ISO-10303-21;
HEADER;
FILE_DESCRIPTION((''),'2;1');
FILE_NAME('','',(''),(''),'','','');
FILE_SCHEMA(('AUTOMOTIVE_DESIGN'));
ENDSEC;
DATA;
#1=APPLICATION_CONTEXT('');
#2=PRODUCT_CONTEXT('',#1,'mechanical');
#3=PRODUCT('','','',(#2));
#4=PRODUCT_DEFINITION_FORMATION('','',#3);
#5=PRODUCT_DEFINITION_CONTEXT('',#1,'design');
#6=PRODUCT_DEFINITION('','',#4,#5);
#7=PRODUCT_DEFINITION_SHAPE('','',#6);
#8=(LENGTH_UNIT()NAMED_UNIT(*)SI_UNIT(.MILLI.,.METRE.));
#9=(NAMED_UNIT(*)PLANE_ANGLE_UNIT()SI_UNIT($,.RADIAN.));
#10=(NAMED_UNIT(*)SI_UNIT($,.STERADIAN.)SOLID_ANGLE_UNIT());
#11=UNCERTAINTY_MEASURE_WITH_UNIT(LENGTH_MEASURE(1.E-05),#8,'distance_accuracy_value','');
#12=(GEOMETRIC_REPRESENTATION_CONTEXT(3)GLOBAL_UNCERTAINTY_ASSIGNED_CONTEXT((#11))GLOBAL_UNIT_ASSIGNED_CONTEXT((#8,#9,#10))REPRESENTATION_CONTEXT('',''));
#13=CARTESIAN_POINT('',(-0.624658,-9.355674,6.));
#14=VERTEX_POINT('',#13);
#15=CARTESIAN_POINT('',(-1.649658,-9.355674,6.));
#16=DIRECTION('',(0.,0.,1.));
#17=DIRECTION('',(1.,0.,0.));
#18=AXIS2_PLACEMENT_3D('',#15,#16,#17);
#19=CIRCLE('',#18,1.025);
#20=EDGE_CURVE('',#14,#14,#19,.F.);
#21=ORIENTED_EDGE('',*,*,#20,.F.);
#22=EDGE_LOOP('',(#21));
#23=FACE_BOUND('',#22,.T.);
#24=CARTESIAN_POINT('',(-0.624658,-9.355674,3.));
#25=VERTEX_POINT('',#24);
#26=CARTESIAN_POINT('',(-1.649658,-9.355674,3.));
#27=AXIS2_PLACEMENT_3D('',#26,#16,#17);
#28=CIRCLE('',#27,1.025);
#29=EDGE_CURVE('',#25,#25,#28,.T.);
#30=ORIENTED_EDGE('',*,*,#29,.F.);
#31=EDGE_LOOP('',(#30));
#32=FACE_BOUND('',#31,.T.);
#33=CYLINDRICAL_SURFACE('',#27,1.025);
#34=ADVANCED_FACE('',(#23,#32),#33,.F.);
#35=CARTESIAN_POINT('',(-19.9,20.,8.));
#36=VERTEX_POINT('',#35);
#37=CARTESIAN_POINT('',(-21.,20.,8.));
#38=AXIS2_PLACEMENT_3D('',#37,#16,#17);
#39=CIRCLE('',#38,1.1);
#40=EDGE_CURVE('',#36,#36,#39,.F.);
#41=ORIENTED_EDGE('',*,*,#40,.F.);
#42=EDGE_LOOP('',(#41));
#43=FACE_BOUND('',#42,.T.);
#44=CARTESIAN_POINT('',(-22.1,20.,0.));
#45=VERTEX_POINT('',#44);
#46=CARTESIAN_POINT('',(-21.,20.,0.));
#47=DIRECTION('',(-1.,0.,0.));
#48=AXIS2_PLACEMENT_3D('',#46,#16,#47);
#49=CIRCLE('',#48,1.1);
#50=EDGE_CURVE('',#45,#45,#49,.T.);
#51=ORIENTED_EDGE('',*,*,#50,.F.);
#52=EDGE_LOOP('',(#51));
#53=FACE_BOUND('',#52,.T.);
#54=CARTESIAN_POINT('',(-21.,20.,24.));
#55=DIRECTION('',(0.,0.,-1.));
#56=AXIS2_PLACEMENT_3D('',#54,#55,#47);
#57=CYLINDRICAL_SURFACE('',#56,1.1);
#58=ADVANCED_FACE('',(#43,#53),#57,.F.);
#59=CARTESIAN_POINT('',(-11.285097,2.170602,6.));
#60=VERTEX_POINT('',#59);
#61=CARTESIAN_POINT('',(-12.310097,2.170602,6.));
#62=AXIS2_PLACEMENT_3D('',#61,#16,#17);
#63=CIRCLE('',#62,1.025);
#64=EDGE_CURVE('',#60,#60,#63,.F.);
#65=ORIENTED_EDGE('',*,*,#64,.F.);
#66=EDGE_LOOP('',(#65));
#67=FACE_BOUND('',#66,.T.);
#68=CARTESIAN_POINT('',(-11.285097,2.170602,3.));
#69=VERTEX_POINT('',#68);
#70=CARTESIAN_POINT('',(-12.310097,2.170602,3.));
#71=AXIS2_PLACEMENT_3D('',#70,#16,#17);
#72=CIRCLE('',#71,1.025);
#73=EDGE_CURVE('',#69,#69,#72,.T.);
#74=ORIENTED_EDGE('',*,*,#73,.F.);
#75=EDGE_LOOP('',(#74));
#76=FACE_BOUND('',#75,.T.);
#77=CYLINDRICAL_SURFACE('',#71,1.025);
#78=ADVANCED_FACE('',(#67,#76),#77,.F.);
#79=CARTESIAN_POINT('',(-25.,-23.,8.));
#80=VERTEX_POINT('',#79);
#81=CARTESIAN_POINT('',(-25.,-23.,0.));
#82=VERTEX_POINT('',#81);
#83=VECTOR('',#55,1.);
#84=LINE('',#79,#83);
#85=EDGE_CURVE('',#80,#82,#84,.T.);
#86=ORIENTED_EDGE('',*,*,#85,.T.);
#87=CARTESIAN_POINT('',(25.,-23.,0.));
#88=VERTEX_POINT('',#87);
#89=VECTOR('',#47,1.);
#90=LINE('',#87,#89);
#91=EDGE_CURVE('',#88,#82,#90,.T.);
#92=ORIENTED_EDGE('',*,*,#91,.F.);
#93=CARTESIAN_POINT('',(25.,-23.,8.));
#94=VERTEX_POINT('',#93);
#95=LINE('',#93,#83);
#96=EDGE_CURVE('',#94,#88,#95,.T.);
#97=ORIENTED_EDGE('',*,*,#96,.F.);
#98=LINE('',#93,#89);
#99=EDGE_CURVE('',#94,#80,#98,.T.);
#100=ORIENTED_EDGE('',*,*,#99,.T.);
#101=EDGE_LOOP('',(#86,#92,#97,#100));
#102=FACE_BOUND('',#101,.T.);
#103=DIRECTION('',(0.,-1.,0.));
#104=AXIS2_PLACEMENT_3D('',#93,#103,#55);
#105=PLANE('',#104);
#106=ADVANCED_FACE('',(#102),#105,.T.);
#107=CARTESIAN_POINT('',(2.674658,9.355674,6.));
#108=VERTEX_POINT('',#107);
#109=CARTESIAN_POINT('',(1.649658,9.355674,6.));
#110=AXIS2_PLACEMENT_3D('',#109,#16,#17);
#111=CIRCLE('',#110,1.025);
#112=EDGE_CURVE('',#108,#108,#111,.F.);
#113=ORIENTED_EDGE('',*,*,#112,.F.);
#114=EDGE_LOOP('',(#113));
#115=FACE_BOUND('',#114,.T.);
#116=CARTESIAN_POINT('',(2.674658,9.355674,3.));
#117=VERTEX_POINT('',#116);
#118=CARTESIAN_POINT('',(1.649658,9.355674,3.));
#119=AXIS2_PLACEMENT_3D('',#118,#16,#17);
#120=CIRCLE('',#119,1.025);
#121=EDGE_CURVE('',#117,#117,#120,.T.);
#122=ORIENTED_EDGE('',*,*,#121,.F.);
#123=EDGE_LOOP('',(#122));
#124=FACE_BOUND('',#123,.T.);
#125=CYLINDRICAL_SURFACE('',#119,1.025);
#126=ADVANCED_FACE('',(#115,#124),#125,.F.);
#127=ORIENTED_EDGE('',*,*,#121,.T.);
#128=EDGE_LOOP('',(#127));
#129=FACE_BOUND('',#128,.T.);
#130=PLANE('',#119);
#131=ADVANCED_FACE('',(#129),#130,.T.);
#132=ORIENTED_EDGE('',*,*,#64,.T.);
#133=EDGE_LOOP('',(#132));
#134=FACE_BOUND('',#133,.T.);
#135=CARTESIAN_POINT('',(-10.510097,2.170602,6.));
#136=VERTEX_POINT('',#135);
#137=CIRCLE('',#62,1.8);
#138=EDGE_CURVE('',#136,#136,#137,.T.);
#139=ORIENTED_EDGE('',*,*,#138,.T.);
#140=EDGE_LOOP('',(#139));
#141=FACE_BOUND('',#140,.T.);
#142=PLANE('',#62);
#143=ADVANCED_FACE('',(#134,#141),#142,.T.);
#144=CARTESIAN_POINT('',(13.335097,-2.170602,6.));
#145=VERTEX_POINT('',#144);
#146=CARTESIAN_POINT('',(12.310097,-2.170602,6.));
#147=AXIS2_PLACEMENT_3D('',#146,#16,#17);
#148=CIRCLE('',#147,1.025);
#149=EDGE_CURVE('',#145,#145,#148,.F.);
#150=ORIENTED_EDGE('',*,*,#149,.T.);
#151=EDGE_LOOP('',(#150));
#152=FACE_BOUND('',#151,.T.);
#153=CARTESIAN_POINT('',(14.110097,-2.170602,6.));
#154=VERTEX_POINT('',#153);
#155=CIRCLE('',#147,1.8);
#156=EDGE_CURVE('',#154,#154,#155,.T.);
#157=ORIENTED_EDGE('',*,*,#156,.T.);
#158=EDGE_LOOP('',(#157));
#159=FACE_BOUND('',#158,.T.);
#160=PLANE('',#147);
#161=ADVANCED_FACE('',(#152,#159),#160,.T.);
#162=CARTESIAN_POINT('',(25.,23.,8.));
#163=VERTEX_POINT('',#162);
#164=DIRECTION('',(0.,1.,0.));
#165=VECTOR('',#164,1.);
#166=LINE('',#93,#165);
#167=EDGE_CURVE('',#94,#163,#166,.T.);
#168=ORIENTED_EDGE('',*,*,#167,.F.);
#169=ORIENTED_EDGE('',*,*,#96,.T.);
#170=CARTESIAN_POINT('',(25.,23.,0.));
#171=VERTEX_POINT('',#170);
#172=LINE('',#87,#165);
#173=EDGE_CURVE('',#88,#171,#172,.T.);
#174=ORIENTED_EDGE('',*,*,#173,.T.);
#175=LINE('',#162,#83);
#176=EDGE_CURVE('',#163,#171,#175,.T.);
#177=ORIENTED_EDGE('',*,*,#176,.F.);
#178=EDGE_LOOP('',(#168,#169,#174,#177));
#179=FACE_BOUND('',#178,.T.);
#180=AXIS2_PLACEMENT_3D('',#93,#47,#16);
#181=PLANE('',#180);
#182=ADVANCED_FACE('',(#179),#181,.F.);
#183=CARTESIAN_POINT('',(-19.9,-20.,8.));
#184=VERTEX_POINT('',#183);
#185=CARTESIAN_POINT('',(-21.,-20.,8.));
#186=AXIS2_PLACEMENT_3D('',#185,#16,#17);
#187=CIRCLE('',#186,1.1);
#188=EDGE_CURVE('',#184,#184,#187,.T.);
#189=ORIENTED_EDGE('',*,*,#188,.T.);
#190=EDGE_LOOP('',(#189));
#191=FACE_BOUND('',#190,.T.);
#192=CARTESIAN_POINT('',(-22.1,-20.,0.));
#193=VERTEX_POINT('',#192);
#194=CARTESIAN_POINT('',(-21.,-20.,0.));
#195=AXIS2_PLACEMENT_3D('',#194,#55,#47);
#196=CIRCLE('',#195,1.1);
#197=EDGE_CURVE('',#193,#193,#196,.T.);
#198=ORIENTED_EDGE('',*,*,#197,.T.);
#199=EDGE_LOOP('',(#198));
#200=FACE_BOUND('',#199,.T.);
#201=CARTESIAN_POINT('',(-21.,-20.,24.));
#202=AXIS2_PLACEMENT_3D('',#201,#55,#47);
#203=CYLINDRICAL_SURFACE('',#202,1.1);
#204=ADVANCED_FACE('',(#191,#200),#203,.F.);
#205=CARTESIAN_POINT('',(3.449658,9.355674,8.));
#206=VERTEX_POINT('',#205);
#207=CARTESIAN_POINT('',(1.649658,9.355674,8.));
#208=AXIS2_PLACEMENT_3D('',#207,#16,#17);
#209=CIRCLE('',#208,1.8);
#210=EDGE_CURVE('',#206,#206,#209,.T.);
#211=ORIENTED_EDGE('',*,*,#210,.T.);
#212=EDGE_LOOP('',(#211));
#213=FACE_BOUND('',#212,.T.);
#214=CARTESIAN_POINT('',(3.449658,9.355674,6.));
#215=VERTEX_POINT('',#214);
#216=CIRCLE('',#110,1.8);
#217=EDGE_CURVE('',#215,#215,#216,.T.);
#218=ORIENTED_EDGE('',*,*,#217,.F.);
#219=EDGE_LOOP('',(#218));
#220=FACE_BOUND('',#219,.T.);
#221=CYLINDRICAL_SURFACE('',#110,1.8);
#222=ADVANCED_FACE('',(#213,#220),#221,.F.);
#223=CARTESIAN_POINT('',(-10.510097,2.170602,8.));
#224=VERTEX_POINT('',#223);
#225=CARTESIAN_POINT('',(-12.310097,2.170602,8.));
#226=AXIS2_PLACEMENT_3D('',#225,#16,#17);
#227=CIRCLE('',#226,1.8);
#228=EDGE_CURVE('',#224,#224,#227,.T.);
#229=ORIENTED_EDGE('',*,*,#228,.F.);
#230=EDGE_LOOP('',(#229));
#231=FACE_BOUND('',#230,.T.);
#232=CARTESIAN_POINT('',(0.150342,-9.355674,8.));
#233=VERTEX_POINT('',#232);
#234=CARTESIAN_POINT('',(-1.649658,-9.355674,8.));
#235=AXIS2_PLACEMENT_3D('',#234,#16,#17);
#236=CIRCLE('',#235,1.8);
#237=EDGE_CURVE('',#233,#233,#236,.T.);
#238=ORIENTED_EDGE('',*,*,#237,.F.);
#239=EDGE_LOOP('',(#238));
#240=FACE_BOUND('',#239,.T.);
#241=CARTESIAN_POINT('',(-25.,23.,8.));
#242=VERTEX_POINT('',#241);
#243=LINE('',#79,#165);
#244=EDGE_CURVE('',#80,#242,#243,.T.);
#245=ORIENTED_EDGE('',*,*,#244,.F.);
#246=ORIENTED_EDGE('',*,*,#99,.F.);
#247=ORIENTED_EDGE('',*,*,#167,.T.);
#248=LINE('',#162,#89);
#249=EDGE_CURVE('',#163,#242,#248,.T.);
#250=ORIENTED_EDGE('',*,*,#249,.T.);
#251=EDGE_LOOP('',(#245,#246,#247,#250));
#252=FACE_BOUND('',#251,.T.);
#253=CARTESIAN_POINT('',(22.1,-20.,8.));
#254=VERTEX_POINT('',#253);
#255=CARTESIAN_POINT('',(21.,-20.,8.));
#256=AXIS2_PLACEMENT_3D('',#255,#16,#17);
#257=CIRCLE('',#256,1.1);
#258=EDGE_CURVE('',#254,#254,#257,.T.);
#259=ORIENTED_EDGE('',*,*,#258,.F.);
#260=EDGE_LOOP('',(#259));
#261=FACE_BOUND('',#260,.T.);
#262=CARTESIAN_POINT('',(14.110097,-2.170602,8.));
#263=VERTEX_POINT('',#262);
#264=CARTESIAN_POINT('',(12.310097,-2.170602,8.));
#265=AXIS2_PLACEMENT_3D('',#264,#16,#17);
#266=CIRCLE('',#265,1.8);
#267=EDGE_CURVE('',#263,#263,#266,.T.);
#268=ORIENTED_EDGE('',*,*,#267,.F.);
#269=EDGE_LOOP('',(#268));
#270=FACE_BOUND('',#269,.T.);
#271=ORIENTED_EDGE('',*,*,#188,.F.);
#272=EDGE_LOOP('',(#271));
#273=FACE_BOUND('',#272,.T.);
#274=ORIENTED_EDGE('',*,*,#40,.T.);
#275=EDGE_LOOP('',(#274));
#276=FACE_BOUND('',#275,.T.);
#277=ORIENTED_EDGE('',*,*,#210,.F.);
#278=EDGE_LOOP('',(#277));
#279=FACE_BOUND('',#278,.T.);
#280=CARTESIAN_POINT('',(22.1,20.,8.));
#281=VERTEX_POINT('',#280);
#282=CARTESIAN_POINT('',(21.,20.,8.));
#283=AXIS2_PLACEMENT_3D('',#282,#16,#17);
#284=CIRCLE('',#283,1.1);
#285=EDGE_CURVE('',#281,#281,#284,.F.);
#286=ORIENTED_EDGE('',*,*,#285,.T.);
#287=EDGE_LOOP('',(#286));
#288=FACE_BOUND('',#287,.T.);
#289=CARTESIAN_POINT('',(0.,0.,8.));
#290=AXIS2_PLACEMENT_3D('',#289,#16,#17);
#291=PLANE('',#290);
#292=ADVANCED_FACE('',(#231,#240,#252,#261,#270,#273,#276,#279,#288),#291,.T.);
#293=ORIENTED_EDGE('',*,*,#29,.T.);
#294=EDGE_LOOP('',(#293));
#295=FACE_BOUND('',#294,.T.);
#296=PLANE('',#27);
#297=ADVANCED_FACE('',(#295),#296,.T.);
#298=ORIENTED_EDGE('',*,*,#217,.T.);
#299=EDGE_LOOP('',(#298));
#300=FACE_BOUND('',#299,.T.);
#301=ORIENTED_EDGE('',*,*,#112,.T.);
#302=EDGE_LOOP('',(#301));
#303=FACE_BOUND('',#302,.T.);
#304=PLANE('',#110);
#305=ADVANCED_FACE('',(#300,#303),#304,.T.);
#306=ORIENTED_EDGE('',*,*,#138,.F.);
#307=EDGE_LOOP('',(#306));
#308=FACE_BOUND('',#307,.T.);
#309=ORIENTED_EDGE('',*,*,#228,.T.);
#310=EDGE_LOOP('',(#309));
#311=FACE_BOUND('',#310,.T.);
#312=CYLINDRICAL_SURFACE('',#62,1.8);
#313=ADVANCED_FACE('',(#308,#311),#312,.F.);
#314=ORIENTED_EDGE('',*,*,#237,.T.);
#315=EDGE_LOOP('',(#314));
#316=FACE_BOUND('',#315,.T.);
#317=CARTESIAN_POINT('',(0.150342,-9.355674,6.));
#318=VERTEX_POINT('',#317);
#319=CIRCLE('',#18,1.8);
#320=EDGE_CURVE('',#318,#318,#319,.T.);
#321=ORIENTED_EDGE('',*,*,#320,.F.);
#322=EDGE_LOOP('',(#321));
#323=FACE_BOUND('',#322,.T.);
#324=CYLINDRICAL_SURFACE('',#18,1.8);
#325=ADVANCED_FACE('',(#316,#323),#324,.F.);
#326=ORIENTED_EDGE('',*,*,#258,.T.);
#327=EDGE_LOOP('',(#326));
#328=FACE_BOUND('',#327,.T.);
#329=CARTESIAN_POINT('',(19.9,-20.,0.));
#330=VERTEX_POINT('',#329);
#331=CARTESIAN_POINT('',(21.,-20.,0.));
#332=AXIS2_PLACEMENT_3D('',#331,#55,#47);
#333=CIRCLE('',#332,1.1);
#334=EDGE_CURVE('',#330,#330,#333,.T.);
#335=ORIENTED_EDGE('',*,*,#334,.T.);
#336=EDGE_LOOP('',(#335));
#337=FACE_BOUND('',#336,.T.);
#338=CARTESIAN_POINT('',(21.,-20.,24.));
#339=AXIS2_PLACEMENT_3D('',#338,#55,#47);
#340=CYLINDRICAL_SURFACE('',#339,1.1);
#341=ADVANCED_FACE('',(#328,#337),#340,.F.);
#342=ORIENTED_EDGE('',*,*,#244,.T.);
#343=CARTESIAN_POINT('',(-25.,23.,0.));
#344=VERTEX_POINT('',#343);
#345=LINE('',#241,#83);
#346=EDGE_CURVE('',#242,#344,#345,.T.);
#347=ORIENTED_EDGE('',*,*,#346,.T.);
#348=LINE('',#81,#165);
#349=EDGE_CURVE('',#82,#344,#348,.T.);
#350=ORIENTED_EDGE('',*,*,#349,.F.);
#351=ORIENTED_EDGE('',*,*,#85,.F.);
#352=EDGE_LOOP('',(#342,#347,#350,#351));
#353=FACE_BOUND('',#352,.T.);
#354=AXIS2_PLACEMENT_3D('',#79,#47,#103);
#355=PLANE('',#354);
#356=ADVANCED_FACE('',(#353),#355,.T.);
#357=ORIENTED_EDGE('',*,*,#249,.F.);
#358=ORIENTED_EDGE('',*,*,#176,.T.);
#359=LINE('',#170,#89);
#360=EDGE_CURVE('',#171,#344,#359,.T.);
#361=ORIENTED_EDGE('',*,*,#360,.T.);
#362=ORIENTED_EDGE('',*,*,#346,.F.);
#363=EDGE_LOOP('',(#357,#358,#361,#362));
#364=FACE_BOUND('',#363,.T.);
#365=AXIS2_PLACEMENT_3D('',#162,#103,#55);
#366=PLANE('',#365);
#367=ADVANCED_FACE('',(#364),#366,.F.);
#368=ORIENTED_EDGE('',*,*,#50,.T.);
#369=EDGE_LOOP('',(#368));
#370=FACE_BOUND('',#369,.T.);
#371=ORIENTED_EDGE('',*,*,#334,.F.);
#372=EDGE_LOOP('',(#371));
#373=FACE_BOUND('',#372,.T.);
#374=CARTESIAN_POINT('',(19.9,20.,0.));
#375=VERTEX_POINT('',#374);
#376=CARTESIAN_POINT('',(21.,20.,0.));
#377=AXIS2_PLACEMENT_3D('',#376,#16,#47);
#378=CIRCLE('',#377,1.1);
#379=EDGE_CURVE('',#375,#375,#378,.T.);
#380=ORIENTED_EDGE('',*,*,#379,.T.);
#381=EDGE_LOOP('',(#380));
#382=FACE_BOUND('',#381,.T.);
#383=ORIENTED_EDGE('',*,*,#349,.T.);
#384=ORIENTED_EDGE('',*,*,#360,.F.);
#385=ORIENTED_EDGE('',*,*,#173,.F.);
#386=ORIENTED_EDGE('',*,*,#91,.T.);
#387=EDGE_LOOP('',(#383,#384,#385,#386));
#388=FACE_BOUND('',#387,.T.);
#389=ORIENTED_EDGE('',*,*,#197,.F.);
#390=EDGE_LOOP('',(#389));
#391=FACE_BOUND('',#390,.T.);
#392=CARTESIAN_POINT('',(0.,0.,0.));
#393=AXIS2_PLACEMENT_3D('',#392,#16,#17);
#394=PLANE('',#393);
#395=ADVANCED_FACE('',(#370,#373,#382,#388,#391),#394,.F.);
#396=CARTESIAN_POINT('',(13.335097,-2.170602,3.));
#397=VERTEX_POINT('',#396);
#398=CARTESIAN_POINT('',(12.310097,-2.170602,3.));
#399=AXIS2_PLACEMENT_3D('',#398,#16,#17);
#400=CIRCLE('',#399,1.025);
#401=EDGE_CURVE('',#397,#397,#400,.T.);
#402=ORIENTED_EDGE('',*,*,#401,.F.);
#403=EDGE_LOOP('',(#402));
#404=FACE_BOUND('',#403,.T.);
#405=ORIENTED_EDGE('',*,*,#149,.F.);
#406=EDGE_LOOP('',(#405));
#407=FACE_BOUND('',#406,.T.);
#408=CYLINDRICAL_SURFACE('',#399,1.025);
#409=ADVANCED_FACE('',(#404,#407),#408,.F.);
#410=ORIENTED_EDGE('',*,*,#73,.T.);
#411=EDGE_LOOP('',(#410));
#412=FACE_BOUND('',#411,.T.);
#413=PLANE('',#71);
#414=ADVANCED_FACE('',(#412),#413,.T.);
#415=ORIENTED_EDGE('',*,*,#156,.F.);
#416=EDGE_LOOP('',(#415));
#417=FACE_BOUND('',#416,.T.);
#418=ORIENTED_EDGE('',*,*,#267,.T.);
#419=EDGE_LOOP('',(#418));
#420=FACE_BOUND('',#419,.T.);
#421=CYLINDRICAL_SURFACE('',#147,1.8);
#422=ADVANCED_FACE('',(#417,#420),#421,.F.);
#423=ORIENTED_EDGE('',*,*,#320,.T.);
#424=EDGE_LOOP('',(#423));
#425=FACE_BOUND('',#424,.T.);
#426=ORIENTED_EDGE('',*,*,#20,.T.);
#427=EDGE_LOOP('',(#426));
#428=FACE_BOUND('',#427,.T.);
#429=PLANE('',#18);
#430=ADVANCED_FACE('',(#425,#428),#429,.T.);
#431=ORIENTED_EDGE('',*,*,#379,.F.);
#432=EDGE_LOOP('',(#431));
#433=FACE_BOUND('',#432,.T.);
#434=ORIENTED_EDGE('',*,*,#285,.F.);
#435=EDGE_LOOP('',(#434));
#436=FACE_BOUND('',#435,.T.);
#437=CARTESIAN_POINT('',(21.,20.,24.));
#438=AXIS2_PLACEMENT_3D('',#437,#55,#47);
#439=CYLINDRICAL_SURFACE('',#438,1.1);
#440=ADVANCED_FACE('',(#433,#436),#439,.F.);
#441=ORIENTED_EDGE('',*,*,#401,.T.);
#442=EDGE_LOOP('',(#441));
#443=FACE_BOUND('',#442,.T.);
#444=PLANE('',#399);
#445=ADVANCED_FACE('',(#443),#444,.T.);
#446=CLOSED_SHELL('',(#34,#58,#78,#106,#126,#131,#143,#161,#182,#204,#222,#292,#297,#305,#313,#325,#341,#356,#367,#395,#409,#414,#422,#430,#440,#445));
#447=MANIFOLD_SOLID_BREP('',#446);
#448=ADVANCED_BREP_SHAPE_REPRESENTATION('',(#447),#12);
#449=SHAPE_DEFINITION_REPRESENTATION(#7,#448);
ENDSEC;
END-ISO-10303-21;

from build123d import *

# Parameters (mm, degrees)
SKETCH_1_W          = 50
SKETCH_1_H          = 46
EXTRUDE_1_DEPTH     = 8
SKETCH_2_R          = 1.025
CUT_EXTRUDE_1_DEPTH = 5
SKETCH_3_R          = 1.8
CUT_EXTRUDE_2_DEPTH = 2
SKETCH_4_R          = 1.1
CUT_EXTRUDE_3_DEPTH = 24


with BuildPart() as part:
    # 草图1 → 凸台-拉伸1 (new body)
    with BuildSketch(Plane.XY):
        Rectangle(SKETCH_1_W, SKETCH_1_H)
    extrude(amount=EXTRUDE_1_DEPTH)

    # 草图2 → 切除-拉伸1 (cut)
    with BuildSketch(Plane.XY.offset(8)):
        with Locations((-1.649657688, -9.355673654)):
            Circle(SKETCH_2_R)
        with Locations((12.310096913, -2.170602221)):
            Circle(SKETCH_2_R)
        with Locations((1.649657688, 9.355673654)):
            Circle(SKETCH_2_R)
        with Locations((-12.310096913, 2.170602221)):
            Circle(SKETCH_2_R)
    extrude(amount=-CUT_EXTRUDE_1_DEPTH, mode=Mode.SUBTRACT)

    # 草图3 → 切除-拉伸2 (cut)
    with BuildSketch(Plane.XY.offset(8)):
        with Locations((-12.310096913, 2.170602221)):
            Circle(SKETCH_3_R)
        with Locations((1.649657688, 9.355673654)):
            Circle(SKETCH_3_R)
        with Locations((12.310096913, -2.170602221)):
            Circle(SKETCH_3_R)
        with Locations((-1.649657688, -9.355673654)):
            Circle(SKETCH_3_R)
    extrude(amount=-CUT_EXTRUDE_2_DEPTH, mode=Mode.SUBTRACT)

    # 草图4 → 切除-拉伸3 (cut)
    with BuildSketch(Plane(origin=(0, 0, 0), x_dir=(-1, 0, 0), z_dir=(0, 0, -1))):
        with Locations((21, -20)):
            Circle(SKETCH_4_R)
        with Locations((-21, -20)):
            Circle(SKETCH_4_R)
    cut_extrude_3 = extrude(amount=-CUT_EXTRUDE_3_DEPTH, mode=Mode.SUBTRACT)

    # 镜向1: 切除-拉伸3 across plane
    add(cut_extrude_3.mirror(Plane(origin=(0, 0, 0), x_dir=(0, 0, 1), z_dir=(0, -1, 0))), mode=Mode.SUBTRACT)


solid = part.part
